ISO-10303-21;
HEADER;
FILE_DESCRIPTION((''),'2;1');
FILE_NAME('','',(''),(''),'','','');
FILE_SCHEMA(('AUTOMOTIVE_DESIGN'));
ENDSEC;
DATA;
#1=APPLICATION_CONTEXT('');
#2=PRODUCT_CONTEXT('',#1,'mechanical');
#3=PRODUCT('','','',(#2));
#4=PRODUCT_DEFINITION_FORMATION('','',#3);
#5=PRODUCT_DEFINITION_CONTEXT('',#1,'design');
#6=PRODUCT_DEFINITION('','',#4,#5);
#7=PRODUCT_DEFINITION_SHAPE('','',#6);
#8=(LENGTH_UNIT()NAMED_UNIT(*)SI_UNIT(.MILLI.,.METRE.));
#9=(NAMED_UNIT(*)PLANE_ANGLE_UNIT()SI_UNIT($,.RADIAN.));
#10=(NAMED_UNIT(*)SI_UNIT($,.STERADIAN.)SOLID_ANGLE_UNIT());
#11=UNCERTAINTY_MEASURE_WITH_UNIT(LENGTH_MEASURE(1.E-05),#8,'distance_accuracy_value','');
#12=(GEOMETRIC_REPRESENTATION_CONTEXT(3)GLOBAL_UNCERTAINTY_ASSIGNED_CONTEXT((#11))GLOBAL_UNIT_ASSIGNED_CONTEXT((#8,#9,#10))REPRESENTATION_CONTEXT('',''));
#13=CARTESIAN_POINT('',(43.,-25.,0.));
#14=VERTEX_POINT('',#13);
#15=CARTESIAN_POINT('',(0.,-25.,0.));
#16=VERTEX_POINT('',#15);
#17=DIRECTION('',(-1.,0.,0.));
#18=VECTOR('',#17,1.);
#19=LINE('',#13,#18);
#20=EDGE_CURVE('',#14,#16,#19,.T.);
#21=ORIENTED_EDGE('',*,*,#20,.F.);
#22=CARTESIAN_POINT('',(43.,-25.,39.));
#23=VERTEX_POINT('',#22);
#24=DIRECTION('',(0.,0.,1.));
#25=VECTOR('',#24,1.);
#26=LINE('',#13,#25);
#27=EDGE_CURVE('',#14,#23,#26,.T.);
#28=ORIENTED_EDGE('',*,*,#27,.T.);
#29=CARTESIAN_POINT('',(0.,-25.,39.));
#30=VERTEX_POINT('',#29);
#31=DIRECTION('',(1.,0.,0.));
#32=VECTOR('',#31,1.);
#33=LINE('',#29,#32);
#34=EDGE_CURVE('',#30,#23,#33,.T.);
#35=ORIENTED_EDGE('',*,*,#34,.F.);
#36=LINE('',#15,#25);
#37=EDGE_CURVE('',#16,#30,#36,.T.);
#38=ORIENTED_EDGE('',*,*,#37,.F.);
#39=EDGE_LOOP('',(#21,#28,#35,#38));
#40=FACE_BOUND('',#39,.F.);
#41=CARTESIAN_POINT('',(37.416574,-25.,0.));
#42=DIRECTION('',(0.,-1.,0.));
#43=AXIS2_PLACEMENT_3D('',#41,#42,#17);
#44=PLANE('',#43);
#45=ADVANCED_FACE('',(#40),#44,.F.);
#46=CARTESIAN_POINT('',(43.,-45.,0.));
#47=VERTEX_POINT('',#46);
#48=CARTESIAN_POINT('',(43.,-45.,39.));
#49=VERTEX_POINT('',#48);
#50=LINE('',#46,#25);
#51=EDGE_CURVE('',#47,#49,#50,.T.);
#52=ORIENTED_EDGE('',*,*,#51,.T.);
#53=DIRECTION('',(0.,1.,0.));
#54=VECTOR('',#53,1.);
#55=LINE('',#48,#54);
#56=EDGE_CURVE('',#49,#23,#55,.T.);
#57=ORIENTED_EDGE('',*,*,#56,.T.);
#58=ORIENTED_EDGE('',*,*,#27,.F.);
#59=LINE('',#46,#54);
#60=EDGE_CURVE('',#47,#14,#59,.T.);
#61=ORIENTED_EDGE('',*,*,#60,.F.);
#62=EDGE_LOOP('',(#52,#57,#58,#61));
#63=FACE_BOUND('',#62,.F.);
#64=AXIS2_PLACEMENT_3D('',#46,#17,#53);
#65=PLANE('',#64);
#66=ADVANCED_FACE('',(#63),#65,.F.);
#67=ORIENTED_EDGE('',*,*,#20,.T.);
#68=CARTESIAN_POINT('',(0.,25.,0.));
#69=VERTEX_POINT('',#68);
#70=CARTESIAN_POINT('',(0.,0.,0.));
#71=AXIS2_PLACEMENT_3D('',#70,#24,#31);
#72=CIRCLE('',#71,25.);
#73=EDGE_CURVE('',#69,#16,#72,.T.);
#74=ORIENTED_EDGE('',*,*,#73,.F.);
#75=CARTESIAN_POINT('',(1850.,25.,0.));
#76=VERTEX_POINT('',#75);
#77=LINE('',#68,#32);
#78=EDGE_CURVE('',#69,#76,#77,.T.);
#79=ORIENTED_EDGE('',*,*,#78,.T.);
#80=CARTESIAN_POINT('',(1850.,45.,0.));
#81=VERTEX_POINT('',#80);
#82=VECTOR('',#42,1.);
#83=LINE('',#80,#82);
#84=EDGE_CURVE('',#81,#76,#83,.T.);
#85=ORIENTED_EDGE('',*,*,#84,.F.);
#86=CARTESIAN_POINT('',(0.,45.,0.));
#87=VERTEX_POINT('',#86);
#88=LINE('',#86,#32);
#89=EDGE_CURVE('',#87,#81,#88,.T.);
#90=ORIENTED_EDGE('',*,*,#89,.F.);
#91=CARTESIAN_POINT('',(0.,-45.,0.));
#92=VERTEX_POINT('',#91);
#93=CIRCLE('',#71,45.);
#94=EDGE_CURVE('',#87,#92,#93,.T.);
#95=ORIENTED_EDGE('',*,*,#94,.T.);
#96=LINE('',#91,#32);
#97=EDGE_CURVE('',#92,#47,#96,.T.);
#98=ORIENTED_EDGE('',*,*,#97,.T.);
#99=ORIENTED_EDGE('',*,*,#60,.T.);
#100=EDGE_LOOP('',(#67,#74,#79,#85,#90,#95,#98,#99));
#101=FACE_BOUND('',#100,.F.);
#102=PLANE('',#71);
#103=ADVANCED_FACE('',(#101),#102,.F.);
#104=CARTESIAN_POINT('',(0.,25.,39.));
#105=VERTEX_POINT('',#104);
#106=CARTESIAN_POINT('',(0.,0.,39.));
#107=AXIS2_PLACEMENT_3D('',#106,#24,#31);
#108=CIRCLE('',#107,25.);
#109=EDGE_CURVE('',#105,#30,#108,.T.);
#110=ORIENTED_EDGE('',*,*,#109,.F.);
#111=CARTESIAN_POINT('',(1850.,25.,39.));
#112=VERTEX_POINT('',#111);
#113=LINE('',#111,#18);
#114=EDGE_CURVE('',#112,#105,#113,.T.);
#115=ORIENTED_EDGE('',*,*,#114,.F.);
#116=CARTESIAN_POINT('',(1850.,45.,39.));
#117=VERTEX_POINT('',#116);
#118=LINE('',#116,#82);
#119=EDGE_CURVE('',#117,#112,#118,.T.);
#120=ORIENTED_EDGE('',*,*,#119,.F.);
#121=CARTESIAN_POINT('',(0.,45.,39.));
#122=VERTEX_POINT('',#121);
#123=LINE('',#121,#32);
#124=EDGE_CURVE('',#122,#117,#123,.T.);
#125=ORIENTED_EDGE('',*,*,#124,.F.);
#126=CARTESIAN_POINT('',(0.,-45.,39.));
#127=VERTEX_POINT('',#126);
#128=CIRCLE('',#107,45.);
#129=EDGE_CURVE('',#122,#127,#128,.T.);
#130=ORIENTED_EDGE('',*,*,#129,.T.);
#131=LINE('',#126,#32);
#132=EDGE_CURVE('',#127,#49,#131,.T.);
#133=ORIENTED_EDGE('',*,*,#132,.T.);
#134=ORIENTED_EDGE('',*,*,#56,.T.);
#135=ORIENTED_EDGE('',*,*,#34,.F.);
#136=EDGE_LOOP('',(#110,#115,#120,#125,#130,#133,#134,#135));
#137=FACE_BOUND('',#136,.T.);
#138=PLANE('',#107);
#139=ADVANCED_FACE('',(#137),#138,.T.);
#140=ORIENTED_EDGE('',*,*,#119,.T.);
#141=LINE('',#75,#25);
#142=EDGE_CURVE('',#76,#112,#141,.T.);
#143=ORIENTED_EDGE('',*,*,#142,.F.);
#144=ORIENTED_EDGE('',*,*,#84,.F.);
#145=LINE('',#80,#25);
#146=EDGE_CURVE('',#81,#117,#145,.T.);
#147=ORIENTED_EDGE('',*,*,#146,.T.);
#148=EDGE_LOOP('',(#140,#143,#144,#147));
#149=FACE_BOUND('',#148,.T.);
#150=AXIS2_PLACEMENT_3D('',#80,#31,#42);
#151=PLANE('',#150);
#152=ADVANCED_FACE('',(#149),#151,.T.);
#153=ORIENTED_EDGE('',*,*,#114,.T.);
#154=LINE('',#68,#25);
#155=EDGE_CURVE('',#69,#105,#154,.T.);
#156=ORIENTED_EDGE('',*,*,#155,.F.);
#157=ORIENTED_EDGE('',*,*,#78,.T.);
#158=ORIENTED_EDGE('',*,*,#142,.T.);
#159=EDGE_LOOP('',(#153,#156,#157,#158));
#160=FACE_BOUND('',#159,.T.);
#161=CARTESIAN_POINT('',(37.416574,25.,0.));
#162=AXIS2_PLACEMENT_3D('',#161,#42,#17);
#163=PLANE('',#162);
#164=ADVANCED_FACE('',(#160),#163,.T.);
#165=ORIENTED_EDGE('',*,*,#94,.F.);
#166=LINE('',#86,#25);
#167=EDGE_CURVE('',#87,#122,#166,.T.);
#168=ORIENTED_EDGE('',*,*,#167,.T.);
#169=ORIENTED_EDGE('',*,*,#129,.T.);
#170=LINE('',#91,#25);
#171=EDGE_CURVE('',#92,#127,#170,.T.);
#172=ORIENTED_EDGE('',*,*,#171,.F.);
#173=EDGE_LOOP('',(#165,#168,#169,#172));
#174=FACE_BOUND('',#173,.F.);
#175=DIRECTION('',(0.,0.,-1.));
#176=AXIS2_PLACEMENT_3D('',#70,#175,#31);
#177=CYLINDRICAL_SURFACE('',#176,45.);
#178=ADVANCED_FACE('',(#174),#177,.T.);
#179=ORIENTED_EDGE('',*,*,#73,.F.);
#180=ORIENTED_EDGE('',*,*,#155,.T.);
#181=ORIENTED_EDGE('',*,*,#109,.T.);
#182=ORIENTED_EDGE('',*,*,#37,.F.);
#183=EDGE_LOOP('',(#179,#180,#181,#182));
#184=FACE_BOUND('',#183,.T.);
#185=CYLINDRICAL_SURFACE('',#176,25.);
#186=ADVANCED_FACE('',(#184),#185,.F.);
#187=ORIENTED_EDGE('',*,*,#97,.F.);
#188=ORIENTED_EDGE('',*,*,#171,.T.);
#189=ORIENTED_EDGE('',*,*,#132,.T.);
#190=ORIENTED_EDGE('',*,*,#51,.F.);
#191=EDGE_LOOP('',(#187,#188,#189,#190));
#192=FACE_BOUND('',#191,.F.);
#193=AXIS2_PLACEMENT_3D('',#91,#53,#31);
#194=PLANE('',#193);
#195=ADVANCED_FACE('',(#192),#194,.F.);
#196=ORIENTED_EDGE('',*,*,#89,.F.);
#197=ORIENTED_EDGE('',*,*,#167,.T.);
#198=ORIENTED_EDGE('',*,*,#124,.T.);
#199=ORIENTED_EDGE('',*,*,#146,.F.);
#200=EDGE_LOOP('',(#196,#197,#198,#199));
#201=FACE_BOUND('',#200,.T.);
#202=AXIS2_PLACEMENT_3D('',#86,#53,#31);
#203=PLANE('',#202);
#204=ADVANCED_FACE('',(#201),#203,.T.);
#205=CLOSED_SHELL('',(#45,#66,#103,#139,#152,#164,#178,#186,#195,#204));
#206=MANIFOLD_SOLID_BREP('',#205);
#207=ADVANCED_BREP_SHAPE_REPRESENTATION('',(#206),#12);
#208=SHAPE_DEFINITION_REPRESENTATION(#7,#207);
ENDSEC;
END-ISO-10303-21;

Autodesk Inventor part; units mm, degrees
ref_plane "YZ Plane" through (0, 0, 0) normal (1, 0, 0) x (0, 1, 0)
ref_plane "XZ Plane" through (0, 0, 0) normal (0, 1, 0) x (-1, 0, 0)
ref_plane "XY Plane" through (0, 0, 0) normal (0, 0, 1) x (1, 0, 0)
sketch "Sketch1" plane through (0, 0, 0) normal (0, 0, 1) x (1, 0, 0)
  circle A0 centre (0, 0) radius 45
  line L0 (0, -45) -> (43, -45)
  line L1 (43, -45) -> (43, -25)
  line L2 (43, -25) -> (0, -25)
  line L3 (0, -25) -> (0, -45)
  line L4 (0, 45) -> (1850, 45)
  line L5 (1850, 45) -> (1850, 25)
  line L6 (1850, 25) -> (0, 25)
  line L7 (0, 25) -> (0, 45)
  circle A1 centre (0, 0) radius 25
  point P0 (0, -25)
  point P1 (0, 25)
  point P2 (13, -25)
  point P3 (-45, 0)
  dimension "d0" = 90
  dimension "d1" = 20
  dimension "d2" = 20
  dimension "d9" = 1850
  dimension "d10" = 58
  dimension "d11" = 30
extrude "Extrusion1" add sketch "Sketch1" along normal blind 39 contours L7 A1 L3 A0 | L4 L5 L6 A0 | A0 L6 L7 | L3 L2 A0 | A0 L2 L1 L0
properties part number "J15BF.1.30_Yaxis"
